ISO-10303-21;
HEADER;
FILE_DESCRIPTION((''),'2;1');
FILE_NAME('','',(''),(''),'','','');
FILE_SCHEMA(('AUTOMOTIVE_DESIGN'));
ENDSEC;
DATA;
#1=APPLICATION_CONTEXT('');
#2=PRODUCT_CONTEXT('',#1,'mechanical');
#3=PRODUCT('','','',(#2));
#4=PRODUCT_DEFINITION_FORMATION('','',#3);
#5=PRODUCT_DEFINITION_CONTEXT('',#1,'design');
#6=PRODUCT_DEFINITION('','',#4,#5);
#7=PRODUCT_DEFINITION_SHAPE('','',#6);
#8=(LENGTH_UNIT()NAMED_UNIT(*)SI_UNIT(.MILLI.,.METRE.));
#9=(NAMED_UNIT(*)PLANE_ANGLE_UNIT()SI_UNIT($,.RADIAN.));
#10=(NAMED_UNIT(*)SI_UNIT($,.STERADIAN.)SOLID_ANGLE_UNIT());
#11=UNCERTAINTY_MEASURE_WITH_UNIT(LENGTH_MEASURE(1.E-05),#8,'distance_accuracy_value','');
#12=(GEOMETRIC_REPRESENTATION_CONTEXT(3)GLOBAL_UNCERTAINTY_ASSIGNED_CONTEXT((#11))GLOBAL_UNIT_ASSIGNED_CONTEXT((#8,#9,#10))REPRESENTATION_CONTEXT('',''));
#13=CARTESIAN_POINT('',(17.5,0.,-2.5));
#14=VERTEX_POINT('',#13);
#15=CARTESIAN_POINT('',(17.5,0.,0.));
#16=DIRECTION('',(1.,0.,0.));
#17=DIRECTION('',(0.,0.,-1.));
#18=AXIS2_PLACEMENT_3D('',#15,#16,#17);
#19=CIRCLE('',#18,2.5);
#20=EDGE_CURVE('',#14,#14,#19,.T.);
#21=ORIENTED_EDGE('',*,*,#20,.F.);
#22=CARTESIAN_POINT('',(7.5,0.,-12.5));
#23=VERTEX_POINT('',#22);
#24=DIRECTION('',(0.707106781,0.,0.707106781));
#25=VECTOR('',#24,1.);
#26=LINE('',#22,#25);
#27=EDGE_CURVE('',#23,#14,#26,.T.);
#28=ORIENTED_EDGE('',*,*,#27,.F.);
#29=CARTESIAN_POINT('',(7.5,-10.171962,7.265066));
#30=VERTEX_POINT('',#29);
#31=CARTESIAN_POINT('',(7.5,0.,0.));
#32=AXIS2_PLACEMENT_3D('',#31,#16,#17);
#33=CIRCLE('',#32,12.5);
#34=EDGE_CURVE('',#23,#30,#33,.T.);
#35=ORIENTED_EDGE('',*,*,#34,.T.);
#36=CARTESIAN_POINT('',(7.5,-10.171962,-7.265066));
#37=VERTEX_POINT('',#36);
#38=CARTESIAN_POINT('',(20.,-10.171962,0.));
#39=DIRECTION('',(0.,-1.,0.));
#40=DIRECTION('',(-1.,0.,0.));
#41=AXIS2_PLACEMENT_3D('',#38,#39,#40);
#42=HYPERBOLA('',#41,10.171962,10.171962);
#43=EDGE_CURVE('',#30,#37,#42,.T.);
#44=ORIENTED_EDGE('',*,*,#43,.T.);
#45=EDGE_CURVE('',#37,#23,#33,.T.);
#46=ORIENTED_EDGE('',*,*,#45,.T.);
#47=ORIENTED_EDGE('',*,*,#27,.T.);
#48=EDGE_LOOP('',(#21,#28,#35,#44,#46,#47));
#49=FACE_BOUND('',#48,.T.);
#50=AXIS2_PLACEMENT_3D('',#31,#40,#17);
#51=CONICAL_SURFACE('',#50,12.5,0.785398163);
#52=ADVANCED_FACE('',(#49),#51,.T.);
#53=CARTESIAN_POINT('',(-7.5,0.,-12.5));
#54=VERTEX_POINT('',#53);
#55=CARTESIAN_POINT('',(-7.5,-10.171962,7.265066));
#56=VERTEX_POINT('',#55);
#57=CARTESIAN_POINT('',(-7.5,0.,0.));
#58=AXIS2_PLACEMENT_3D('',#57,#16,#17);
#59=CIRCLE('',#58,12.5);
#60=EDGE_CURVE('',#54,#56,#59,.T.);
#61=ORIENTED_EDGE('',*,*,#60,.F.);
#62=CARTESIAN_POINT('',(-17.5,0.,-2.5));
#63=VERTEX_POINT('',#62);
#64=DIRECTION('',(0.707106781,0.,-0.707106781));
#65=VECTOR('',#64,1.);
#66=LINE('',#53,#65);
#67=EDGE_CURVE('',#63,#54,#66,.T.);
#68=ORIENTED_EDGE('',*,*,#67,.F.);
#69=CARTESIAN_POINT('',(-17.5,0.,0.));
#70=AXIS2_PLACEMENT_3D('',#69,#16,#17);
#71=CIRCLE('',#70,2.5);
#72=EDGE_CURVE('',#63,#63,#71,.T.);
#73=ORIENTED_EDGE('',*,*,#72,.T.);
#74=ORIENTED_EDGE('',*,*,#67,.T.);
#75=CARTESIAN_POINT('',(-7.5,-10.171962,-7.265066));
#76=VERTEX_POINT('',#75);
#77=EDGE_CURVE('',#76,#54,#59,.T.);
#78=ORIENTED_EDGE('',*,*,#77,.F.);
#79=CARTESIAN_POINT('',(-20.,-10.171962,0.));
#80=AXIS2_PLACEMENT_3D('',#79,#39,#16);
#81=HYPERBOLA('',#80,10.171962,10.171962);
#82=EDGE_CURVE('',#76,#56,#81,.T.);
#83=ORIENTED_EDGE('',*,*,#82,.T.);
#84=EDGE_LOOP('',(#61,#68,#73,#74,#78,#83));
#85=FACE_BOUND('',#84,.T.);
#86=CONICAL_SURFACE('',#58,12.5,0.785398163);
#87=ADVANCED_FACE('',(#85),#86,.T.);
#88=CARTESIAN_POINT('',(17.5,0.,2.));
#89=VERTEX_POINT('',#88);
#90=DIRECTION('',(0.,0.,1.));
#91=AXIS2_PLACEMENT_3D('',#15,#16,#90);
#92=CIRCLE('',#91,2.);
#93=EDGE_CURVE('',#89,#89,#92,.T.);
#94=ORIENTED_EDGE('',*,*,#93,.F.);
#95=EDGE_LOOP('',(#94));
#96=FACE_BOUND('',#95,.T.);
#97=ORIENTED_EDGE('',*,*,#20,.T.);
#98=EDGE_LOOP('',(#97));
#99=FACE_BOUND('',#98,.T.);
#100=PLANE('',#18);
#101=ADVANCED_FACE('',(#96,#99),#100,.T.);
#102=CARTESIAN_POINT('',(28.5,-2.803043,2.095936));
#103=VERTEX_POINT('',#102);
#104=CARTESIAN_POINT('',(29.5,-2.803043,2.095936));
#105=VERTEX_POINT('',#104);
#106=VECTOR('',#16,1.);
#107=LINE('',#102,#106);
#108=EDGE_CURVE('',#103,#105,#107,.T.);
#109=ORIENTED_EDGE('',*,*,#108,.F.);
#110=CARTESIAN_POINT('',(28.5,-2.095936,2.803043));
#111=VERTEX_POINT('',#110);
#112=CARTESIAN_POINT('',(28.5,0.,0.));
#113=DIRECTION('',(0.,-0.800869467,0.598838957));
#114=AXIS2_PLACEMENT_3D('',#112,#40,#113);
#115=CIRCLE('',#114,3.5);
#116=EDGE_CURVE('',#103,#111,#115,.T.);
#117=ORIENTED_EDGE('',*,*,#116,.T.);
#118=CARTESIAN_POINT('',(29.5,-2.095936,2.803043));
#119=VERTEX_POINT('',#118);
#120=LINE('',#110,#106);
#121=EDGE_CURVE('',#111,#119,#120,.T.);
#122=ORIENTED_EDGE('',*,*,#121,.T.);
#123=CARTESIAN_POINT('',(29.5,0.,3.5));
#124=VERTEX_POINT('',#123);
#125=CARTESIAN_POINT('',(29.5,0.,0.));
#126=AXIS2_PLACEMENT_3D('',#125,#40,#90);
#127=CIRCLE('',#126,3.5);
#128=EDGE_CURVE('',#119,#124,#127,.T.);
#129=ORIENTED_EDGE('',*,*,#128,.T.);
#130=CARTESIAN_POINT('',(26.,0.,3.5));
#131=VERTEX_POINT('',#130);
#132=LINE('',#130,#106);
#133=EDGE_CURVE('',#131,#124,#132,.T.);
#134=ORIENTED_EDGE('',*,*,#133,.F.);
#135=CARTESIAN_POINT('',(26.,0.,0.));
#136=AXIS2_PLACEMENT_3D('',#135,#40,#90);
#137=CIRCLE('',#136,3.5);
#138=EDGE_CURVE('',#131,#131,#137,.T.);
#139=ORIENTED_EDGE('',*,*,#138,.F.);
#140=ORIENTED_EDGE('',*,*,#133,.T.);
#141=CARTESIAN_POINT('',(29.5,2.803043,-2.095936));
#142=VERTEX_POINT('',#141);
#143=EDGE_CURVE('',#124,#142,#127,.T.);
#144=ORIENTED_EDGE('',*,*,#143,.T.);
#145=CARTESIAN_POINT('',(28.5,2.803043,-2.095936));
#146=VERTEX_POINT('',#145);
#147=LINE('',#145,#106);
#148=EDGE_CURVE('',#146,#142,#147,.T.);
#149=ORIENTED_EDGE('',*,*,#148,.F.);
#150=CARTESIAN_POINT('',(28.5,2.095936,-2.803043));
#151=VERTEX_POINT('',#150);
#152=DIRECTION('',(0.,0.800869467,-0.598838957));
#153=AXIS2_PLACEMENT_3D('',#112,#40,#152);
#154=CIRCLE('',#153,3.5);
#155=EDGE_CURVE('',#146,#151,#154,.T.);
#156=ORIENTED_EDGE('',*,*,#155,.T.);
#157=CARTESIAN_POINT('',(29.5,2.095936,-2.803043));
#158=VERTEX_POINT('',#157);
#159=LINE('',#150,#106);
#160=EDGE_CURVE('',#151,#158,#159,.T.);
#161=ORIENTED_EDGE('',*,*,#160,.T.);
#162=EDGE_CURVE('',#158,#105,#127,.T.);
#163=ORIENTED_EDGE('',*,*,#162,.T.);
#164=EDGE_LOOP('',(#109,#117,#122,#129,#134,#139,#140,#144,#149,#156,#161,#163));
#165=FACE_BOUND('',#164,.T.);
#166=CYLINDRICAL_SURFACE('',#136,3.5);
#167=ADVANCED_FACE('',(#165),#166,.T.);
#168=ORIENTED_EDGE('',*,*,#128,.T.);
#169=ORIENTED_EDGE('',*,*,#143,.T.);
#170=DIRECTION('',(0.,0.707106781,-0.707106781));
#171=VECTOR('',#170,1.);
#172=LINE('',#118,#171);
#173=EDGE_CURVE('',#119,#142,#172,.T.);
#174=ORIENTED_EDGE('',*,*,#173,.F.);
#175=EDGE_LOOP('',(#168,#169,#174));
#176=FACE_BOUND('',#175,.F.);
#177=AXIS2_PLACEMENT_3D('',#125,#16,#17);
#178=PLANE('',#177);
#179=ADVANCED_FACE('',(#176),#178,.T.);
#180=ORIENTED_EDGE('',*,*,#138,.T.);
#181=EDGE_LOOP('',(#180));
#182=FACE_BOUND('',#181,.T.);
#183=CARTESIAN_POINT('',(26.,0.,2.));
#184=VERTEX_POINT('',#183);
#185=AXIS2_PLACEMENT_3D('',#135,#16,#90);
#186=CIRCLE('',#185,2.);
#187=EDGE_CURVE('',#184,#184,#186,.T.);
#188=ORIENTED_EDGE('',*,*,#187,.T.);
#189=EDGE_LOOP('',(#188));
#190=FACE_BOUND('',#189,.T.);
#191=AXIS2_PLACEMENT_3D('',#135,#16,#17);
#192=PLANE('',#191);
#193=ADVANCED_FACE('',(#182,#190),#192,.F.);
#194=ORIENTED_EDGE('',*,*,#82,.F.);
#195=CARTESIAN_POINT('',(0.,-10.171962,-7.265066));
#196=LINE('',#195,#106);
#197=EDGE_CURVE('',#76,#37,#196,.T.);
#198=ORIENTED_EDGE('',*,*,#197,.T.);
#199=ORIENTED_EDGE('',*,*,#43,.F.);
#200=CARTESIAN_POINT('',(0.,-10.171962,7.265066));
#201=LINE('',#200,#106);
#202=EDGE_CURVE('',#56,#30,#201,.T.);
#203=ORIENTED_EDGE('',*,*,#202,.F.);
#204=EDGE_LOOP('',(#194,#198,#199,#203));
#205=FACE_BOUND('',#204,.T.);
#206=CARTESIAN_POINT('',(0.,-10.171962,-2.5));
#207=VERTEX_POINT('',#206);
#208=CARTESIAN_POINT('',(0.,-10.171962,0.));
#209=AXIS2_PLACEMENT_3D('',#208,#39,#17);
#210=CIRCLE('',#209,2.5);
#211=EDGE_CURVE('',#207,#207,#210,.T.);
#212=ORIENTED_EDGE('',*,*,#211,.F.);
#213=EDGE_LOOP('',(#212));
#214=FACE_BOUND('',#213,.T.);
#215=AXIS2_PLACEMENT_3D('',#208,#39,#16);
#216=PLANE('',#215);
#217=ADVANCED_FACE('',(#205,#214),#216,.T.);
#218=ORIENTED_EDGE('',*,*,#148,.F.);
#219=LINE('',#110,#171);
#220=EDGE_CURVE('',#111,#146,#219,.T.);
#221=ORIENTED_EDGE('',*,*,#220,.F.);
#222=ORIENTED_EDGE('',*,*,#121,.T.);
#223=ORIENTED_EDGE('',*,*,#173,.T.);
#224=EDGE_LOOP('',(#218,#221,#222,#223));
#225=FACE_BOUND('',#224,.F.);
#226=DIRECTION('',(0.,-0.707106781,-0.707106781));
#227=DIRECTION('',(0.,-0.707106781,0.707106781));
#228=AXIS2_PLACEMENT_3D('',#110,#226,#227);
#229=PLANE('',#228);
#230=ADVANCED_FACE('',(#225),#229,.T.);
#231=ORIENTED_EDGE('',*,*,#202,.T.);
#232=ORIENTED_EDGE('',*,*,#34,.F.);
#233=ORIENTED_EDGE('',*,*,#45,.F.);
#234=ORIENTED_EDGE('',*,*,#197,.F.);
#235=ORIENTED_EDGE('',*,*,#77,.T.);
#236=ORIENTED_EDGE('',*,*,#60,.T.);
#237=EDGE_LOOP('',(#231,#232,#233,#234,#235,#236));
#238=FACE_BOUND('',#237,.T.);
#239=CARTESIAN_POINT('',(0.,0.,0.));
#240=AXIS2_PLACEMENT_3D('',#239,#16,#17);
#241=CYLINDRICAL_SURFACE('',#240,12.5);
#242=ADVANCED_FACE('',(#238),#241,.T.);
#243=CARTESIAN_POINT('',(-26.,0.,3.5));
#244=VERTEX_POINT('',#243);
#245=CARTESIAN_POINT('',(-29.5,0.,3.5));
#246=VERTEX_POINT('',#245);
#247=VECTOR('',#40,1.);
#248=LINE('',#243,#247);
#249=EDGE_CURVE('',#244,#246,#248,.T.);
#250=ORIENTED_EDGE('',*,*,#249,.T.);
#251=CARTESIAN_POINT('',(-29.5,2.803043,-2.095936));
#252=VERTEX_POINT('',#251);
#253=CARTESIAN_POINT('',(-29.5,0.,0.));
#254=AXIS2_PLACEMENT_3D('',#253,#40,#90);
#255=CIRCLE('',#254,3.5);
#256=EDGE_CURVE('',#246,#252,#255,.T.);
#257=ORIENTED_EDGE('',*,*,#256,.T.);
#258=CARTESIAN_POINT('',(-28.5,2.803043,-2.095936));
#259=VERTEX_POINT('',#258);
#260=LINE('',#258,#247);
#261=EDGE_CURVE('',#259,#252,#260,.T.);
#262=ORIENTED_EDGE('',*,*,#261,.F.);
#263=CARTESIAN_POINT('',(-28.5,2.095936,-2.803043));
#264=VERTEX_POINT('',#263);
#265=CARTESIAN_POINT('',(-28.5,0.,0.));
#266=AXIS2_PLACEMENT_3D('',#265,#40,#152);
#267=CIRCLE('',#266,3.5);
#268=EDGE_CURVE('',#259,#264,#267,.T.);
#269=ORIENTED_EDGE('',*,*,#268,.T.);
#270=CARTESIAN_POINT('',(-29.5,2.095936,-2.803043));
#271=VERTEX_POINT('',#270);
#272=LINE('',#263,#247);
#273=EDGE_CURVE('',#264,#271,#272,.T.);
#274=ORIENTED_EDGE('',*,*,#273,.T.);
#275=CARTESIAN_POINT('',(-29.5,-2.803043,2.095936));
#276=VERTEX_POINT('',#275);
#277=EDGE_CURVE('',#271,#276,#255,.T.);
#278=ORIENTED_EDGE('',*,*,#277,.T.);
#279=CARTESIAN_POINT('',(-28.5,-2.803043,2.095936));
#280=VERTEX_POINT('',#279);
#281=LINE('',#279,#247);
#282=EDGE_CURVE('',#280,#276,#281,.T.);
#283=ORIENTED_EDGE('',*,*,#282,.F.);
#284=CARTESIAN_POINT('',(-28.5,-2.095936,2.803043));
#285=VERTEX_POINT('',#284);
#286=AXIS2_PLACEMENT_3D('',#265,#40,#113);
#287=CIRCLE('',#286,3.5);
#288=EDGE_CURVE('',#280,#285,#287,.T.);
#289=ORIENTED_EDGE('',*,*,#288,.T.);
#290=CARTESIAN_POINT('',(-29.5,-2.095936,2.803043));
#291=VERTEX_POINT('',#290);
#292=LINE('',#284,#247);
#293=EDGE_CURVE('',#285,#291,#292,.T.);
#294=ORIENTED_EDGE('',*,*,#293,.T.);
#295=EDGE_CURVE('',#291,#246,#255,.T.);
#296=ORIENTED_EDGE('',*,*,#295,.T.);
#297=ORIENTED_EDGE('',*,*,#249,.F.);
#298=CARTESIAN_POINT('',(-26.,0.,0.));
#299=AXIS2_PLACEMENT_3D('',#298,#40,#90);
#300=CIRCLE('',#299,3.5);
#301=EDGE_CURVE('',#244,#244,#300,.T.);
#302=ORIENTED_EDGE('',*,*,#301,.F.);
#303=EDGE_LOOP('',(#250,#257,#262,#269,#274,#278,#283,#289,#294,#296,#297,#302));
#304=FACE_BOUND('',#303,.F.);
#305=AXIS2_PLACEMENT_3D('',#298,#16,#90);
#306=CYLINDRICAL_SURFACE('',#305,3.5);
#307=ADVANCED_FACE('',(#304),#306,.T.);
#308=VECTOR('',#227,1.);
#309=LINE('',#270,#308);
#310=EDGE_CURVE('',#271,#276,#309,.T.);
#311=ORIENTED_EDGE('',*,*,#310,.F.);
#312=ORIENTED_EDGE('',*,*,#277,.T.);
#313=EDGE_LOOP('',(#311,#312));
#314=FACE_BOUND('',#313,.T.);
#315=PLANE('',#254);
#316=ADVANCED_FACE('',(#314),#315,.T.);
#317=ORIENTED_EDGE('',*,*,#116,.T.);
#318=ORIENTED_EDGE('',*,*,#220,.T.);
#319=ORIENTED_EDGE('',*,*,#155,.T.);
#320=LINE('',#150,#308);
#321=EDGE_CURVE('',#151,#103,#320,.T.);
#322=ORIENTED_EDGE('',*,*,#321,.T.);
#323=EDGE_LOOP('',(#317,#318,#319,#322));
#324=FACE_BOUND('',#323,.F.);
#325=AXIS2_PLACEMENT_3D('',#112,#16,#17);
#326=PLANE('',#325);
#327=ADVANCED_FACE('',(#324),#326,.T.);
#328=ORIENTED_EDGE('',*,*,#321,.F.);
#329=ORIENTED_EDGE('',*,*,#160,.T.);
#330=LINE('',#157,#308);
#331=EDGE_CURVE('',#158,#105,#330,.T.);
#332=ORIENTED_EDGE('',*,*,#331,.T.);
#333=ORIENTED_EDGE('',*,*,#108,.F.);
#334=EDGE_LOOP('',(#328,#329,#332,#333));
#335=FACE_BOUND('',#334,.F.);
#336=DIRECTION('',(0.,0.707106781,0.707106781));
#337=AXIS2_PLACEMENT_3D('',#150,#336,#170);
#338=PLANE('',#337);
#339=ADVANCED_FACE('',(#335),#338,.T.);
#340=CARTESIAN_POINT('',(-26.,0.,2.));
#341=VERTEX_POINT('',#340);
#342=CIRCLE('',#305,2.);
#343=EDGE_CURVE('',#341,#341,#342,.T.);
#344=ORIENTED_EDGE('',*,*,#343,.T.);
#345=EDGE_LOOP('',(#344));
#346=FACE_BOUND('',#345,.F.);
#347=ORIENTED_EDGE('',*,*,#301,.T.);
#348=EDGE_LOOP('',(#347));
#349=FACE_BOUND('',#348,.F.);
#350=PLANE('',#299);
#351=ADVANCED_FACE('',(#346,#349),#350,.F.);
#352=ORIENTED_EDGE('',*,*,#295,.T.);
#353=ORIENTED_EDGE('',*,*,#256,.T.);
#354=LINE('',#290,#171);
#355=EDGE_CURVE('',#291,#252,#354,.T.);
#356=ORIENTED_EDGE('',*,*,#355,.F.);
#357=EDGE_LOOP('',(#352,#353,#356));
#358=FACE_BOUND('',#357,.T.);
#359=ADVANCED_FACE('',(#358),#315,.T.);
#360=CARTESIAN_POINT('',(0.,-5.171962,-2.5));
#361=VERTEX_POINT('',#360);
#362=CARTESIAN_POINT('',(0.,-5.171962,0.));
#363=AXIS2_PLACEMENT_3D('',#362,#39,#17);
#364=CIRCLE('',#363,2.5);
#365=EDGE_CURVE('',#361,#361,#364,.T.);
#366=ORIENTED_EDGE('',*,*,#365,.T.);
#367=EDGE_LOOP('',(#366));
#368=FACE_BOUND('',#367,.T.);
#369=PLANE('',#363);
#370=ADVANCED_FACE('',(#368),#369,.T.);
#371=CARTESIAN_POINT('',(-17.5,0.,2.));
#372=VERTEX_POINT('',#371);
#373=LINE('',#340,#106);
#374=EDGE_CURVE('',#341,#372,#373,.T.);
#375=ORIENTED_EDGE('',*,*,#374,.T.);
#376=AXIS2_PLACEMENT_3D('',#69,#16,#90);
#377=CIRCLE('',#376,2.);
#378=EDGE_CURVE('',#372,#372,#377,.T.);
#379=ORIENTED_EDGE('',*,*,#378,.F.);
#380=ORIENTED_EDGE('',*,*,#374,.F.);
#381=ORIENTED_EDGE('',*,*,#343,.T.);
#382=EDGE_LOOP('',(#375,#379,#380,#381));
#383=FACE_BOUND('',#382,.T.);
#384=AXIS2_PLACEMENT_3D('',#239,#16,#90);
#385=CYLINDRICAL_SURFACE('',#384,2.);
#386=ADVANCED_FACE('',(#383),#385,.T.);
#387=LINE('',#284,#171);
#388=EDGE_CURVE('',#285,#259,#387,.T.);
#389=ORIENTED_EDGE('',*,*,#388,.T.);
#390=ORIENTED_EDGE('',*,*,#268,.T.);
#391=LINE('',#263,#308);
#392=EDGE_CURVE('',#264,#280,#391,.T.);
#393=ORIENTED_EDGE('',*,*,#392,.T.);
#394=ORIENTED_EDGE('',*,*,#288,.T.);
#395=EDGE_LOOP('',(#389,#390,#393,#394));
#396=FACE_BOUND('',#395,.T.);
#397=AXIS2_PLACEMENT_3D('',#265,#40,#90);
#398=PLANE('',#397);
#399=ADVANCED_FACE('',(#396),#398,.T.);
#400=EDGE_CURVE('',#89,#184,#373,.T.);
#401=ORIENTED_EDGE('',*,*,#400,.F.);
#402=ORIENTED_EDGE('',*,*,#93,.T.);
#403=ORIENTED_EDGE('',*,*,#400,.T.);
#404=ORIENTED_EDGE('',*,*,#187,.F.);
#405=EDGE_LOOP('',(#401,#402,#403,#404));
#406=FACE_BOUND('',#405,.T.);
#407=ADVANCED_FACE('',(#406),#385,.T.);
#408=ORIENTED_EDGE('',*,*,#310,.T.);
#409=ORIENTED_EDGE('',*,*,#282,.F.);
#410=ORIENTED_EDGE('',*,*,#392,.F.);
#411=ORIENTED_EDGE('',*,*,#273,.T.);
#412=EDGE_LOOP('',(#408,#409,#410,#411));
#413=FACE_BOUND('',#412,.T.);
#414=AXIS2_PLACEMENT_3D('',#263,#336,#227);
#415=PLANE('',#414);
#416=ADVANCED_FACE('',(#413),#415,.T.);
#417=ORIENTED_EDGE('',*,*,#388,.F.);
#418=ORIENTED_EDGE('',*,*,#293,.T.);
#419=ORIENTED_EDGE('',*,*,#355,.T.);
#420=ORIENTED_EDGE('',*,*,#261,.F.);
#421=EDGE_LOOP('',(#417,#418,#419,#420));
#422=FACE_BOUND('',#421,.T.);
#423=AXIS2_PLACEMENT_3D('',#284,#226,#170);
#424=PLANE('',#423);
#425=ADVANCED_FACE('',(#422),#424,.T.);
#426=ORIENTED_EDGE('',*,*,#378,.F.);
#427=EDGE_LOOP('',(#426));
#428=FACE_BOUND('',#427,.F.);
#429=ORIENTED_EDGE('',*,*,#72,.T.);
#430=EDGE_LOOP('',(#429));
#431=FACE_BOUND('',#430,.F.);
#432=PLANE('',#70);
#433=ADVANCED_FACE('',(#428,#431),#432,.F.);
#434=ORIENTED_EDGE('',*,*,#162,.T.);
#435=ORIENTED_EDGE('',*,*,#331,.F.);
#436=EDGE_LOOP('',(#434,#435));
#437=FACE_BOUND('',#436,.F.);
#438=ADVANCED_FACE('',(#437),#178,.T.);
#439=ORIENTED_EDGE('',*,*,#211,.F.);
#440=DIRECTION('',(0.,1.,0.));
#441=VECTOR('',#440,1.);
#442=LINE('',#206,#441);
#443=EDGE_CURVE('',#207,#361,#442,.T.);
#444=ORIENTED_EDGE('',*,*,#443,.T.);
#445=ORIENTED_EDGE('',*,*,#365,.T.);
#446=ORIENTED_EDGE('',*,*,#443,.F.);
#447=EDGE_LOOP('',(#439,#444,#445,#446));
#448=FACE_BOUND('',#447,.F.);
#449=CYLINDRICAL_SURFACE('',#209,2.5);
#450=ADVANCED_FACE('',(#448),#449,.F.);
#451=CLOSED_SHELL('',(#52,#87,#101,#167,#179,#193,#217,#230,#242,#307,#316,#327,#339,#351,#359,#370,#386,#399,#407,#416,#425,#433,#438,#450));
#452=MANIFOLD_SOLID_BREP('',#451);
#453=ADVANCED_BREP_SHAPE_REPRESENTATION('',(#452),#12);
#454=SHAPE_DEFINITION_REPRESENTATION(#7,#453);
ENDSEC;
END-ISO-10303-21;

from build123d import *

# Parameters (mm, degrees)
SKETCH1_R           = 12.5
BOSS_EXTRUDE1_DEPTH = 17.5
SKETCH2_R           = 2
BOSS_EXTRUDE2_DEPTH = 26
CHAMFER1_SIZE       = 10
SKETCH3_W           = 28.997372317
SKETCH3_H           = 7.197339184
CUT_EXTRUDE1_DEPTH  = 20
SKETCH4_R           = 5
CUT_EXTRUDE2_DEPTH  = 5
SKETCH5_R           = 3.5
BOSS_EXTRUDE3_DEPTH = 3.5
CUT_EXTRUDE6_START  = -1
CUT_EXTRUDE6_DEPTH  = 1
SKETCH11_R          = 5
SKETCH11_R_2        = 1.25
BOSS_EXTRUDE4_DEPTH = 5
SKETCH12_R          = 2.5
CUT_EXTRUDE7_DEPTH  = 5


with BuildPart() as part:
    # Sketch1 → Boss-Extrude1 (new, symmetric)
    with BuildSketch(Plane(origin=(0, 0, 0), x_dir=(0, 0, -1), z_dir=(1, 0, 0))):
        Circle(SKETCH1_R)
    extrude(amount=BOSS_EXTRUDE1_DEPTH, both=True)

    # Sketch2 → Boss-Extrude2 (add, symmetric)
    with BuildSketch(Plane(origin=(0, 0, 0), x_dir=(0, 0, -1), z_dir=(1, 0, 0))):
        with Locations(Location((0, 0, 0), (0, 0, 180))):
            Circle(SKETCH2_R)
    extrude(amount=BOSS_EXTRUDE2_DEPTH, both=True)

    # Chamfer1
    chamfer1_edges = [part.edges().sort_by_distance(p)[0] for p in [
        (-17.5, 0, 12.5),
        (17.5, 0, 12.5),
    ]]
    chamfer(chamfer1_edges, length=CHAMFER1_SIZE)

    # Sketch3 → Cut-Extrude1 (cut, symmetric)
    with BuildSketch(Plane(origin=(0, 0, 0), x_dir=(0, 0, -1), z_dir=(1, 0, 0))):
        with Locations((0.644848308, -13.770631617)):
            Rectangle(SKETCH3_W, SKETCH3_H)
    extrude(amount=CUT_EXTRUDE1_DEPTH, both=True, mode=Mode.SUBTRACT)

    # Sketch4 → Cut-Extrude2 (cut)
    with BuildSketch(Plane.XZ.offset(10.171962025)):
        with Locations(Location((0, 0, 0), (0, 0, 270))):
            Circle(SKETCH4_R)
    extrude(amount=-CUT_EXTRUDE2_DEPTH, mode=Mode.SUBTRACT)

    # Sketch5 → Boss-Extrude3 (add)
    with BuildSketch(Plane.ZY.offset(26)):
        Circle(SKETCH5_R)
    boss_extrude3 = extrude(amount=BOSS_EXTRUDE3_DEPTH)

    # Sketch6 → Cut-Extrude6 (cut)
    with BuildSketch(Plane.ZY.offset(29.5).offset(CUT_EXTRUDE6_START)):
        with BuildLine():
            Line((2.803043133, -2.095936352), (-2.095936352, 2.803043133))
            ThreePointArc((-2.095936352, 2.803043133), (-2.474873734, 2.474873734), (-2.803043133, 2.095936352))
            Line((-2.803043133, 2.095936352), (2.095936352, -2.803043133))
            ThreePointArc((2.095936352, -2.803043133), (2.474873734, -2.474873734), (2.803043133, -2.095936352))
        make_face()
    cut_extrude6 = extrude(amount=CUT_EXTRUDE6_DEPTH, mode=Mode.SUBTRACT)

    # Mirror1: Boss-Extrude3, Cut-Extrude6 across plane
    add(boss_extrude3.mirror(Plane(origin=(0, 0, 0), x_dir=(0, 0, 1), z_dir=(1, 0, 0))))
    add(cut_extrude6.mirror(Plane(origin=(0, 0, 0), x_dir=(0, 0, 1), z_dir=(1, 0, 0))), mode=Mode.SUBTRACT)

    # Sketch11 → Boss-Extrude4 (add)
    with BuildSketch(Plane.XZ.offset(10.171962025)):
        Circle(SKETCH11_R)
        with Locations(Location((0, 0, 0), (0, 0, 270))):
            Circle(SKETCH11_R_2, mode=Mode.SUBTRACT)
    extrude(amount=-BOSS_EXTRUDE4_DEPTH)

    # Sketch12 → Cut-Extrude7 (cut)
    with BuildSketch(Plane.XZ.offset(10.171962025)):
        with Locations(Location((0, 0, 0), (0, 0, 270))):
            Circle(SKETCH12_R)
    extrude(amount=-CUT_EXTRUDE7_DEPTH, mode=Mode.SUBTRACT)


solid = part.part
